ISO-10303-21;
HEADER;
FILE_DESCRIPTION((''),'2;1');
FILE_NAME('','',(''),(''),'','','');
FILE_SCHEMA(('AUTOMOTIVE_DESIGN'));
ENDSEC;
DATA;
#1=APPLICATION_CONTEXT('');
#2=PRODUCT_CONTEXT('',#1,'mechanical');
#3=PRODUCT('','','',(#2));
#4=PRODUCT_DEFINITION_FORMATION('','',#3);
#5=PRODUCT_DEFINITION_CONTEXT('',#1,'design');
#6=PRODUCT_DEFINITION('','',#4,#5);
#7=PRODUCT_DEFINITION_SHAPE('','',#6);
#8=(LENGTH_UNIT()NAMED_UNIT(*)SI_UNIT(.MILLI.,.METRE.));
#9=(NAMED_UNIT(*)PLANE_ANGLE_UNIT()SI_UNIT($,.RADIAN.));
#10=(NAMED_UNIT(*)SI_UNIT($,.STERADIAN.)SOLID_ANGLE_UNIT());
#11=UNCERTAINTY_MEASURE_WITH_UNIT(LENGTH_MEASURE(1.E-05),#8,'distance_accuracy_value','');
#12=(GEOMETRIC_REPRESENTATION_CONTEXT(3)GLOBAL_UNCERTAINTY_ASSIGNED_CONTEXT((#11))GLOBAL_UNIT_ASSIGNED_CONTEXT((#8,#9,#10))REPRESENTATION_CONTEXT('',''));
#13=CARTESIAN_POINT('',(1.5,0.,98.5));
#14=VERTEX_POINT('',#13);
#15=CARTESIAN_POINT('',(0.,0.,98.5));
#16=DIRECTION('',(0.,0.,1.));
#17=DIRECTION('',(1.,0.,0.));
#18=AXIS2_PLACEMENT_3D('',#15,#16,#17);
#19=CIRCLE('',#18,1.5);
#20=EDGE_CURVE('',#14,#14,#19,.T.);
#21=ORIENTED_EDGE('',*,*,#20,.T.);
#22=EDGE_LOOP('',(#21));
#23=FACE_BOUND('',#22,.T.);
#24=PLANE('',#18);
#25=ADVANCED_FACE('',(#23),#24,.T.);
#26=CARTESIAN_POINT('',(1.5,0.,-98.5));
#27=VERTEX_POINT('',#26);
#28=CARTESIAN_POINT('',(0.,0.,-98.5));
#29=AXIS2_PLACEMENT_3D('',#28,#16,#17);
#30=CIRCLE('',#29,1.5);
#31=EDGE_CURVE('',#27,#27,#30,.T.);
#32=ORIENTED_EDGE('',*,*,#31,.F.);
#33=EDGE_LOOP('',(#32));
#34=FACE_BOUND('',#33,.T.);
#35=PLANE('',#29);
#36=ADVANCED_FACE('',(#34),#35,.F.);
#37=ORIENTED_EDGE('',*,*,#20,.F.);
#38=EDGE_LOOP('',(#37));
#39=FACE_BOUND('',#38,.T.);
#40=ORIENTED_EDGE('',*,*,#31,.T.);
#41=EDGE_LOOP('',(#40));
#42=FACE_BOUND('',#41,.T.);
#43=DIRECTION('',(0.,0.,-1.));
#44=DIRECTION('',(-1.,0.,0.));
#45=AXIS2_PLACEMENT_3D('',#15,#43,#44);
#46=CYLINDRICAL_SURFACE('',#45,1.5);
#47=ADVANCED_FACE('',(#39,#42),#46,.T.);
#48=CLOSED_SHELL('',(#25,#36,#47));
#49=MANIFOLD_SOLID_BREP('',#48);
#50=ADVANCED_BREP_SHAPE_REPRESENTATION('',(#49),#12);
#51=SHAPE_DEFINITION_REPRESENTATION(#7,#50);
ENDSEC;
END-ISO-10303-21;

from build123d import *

# Parameters (mm, degrees)
SKETCH1_R           = 1.5
BOSS_EXTRUDE1_DEPTH = 98.5


with BuildPart() as part:
    # Sketch1 → Boss-Extrude1 (new, symmetric)
    with BuildSketch(Plane.XY):
        Circle(SKETCH1_R)
    extrude(amount=BOSS_EXTRUDE1_DEPTH, both=True)


solid = part.part
